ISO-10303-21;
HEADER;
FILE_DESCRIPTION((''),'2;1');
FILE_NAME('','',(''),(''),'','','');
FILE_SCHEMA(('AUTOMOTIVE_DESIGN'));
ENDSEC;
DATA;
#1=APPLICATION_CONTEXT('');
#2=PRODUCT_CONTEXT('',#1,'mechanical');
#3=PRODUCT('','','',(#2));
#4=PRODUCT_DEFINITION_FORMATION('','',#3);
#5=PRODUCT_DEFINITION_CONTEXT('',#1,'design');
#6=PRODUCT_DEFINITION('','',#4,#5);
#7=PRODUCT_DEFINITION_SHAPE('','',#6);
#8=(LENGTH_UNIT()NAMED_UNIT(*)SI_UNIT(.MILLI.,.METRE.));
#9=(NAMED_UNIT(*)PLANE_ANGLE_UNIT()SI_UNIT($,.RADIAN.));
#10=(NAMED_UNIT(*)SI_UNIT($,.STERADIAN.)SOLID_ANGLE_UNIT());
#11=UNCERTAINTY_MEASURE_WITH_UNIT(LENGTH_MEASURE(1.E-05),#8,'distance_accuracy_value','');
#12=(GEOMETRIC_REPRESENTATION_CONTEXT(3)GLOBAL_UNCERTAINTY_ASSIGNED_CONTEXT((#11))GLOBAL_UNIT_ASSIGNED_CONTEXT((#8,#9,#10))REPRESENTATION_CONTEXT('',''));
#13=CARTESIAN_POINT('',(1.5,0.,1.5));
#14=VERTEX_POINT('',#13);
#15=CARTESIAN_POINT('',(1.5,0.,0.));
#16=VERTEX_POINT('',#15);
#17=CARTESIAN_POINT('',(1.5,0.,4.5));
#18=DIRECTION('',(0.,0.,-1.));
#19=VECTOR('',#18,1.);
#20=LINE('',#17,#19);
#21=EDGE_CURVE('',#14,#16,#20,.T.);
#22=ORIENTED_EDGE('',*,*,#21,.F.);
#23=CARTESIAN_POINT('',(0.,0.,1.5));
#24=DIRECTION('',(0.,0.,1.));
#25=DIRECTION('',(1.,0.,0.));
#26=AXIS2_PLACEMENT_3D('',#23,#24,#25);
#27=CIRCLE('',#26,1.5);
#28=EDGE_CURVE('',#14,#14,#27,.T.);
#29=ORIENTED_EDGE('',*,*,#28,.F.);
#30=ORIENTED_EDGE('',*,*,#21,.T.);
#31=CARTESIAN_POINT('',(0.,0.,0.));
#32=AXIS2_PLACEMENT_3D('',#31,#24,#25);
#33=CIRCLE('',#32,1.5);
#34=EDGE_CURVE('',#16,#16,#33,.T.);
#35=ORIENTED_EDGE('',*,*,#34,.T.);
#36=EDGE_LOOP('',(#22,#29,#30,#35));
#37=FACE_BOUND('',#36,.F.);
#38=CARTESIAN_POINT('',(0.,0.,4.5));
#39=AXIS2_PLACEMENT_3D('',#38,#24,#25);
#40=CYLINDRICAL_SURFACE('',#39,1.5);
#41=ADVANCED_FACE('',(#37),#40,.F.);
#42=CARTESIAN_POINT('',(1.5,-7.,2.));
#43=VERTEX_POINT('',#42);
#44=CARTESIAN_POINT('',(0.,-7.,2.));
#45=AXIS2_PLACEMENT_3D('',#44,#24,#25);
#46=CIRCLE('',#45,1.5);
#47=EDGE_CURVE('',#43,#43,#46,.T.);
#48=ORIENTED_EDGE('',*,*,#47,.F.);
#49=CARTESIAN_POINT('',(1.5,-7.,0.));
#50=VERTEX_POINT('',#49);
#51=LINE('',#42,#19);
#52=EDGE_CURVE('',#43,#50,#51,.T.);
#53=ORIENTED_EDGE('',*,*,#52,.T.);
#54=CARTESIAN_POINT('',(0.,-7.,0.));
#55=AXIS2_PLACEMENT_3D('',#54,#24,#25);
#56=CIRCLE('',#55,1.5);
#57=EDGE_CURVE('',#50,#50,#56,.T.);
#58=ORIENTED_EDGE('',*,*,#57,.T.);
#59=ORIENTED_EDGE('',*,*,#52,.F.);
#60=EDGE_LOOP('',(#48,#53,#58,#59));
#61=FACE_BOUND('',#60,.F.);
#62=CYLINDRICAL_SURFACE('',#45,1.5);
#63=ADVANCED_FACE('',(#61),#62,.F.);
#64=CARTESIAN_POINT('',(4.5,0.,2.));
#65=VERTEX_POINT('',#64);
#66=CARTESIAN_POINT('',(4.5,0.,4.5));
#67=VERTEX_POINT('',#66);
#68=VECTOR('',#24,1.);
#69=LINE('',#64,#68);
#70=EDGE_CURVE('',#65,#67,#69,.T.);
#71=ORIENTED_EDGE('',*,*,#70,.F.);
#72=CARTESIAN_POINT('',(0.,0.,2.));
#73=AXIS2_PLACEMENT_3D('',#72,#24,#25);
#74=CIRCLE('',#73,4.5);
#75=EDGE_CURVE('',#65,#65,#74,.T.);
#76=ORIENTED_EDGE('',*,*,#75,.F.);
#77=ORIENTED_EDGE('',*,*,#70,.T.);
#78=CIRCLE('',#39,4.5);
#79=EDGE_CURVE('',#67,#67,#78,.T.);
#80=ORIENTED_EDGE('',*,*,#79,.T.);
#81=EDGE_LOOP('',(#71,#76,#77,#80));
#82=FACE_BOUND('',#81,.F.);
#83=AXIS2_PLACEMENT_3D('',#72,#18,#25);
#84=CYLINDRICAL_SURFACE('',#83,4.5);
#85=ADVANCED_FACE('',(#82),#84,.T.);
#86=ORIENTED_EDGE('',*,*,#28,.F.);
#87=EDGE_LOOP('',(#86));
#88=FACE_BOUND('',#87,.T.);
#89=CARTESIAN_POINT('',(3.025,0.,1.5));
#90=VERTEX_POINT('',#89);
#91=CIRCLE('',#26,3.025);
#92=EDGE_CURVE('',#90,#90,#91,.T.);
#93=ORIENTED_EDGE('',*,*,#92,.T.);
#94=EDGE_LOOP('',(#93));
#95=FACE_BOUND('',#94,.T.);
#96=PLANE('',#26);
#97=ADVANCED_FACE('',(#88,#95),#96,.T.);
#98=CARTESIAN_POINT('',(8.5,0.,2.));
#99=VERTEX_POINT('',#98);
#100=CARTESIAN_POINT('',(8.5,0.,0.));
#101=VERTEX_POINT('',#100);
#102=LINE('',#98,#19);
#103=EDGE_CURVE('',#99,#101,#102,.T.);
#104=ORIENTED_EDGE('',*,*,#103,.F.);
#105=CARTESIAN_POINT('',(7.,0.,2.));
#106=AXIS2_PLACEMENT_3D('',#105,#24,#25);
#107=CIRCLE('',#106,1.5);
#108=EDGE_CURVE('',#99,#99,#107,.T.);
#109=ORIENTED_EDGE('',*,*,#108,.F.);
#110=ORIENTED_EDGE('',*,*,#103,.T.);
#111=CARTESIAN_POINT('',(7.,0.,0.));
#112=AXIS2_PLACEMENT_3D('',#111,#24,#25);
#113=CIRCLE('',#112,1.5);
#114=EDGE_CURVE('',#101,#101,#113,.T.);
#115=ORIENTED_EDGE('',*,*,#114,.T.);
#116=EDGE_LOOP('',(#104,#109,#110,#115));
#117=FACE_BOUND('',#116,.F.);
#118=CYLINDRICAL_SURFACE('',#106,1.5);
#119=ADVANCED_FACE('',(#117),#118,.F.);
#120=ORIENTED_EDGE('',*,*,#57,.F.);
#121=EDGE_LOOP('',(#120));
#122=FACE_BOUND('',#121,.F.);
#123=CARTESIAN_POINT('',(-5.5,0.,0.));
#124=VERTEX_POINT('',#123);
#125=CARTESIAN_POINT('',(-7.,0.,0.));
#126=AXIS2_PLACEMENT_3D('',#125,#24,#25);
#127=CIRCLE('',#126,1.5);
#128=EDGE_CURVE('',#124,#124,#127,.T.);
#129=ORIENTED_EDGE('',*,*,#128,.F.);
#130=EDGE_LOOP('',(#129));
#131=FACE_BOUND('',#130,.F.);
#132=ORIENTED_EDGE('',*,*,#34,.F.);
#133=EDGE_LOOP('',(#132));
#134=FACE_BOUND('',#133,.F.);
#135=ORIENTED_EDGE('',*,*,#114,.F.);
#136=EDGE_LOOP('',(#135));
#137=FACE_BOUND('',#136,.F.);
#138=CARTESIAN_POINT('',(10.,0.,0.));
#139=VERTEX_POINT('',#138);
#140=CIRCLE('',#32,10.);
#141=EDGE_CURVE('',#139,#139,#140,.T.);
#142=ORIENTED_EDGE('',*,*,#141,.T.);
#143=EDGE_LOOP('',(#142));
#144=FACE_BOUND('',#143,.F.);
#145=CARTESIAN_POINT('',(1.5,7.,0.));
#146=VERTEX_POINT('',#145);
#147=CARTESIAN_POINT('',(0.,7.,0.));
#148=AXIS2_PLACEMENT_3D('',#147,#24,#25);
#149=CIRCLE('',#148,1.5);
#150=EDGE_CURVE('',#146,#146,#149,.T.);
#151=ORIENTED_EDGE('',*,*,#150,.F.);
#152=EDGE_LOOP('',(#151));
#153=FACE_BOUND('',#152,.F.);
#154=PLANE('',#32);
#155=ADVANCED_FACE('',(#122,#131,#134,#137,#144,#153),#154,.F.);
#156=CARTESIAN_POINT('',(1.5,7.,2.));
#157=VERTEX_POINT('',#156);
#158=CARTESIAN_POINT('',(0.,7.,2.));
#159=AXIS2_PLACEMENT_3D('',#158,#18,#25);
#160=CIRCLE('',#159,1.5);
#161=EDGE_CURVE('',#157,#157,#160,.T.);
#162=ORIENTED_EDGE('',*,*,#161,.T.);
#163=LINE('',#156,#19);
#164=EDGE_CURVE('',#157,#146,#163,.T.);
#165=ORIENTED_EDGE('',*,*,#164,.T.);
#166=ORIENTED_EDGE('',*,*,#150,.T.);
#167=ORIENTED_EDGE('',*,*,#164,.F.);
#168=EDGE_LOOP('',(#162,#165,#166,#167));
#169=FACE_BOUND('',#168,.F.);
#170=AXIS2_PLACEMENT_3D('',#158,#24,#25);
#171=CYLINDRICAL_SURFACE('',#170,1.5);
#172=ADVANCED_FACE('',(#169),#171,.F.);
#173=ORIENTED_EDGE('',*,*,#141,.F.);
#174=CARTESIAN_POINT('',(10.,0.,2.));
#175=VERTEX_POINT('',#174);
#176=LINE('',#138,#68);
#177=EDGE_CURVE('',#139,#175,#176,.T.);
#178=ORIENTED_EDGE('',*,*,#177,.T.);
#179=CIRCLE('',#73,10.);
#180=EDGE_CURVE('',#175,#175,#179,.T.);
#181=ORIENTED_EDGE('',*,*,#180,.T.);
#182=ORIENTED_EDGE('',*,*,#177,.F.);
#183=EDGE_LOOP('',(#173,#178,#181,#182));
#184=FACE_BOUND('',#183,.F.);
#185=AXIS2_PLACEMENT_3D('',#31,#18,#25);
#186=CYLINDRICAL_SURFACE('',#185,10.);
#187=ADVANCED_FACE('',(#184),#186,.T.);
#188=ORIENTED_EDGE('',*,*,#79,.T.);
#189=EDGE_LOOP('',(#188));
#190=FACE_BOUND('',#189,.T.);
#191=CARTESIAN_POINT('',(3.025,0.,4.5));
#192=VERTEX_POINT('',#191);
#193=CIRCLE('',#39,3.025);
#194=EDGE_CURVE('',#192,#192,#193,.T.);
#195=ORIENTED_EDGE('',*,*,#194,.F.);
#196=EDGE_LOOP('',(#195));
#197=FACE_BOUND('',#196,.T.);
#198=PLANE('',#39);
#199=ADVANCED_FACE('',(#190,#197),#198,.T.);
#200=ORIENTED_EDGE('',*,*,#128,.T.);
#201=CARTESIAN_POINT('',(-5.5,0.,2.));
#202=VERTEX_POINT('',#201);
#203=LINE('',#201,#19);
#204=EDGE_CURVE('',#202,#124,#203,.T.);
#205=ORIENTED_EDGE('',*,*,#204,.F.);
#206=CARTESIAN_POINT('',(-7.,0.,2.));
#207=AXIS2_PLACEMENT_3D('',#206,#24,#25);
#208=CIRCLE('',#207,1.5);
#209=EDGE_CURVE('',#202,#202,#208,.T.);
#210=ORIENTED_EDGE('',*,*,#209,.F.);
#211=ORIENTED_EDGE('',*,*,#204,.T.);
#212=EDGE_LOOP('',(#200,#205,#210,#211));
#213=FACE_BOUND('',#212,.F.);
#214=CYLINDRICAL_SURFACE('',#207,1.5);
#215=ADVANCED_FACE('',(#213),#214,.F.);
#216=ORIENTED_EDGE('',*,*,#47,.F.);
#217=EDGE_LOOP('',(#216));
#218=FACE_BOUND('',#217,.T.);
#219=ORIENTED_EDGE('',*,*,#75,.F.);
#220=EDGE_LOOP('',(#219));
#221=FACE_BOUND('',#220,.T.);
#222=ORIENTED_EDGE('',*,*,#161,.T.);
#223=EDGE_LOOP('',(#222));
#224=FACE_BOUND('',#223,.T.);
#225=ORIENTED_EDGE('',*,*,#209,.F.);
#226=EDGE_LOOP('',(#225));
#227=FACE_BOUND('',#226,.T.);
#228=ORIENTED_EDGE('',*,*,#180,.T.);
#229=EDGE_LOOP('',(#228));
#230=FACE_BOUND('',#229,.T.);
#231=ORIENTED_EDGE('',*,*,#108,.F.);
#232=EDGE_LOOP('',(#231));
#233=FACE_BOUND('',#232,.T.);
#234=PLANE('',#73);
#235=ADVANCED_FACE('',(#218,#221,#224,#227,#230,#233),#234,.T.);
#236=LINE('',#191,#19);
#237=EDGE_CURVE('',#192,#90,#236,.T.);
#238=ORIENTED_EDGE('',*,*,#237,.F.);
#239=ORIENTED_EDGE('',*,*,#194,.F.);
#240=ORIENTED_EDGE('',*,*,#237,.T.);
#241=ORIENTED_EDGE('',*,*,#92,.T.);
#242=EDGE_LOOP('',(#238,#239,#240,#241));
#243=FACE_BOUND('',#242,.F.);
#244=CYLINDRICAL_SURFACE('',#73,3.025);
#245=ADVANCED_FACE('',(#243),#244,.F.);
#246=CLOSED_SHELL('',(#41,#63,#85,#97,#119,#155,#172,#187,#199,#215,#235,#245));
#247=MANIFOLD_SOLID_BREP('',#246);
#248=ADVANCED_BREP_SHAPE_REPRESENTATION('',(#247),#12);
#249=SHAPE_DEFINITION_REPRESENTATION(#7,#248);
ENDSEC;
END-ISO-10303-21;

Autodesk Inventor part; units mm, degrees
ref_plane "YZ Plane" through (0, 0, 0) normal (1, 0, 0) x (0, 1, 0)
ref_plane "XZ Plane" through (0, 0, 0) normal (0, 1, 0) x (-1, 0, 0)
ref_plane "XY Plane" through (0, 0, 0) normal (0, 0, 1) x (1, 0, 0)
sketch "Sketch1" plane through (0, 0, 0) normal (0, 0, 1) x (1, 0, 0)
  circle A0 centre (0, 0) radius 10
  dimension "d0" = 20
extrude "Extrusion1" add sketch "Sketch1" along normal blind 2
sketch "Sketch2" plane through (0, 0, 2) normal (0, 0, 1) x (1, 0, 0)
  circle A0 centre (0, 0) radius 4.5
  dimension "d3" = 9
extrude "Extrusion2" add sketch "Sketch2" along normal blind 2.5
sketch "Sketch3" plane through (0, 0, 4.5) normal (0, 0, 1) x (1, 0, 0)
  circle A0 centre (0, 0) radius 1.5
  dimension "d6" = 3
extrude "Extrusion3" cut sketch "Sketch3" against normal through all
sketch "Sketch4" plane through (0, 0, 4.5) normal (0, 0, 1) x (1, 0, 0)
  circle A0 centre (0, 0) radius 3.025
  dimension "d9" = 6.05
extrude "Extrusion4" cut sketch "Sketch4" against normal blind 2.5
sketch "Sketch5" plane through (0, 0, 2) normal (0, 0, 1) x (1, 0, 0)
  line L0 (0, 0) -> (0, 7)
  circle A0 centre (0, 7) radius 1.5
  circle A1 centre (-7, 0) radius 1.5
  circle A2 centre (0, -7) radius 1.5
  circle A3 centre (7, 0) radius 1.5
  dimension "d12" = 7
  dimension "d13" = 3
  dimension "d16" = 360
extrude "Extrusion5" cut sketch "Sketch5" against normal through all
thread "Thread1" size "M3x0.5" class "6H" standard "ANSI Metric M Profile" full length
thread "Thread2" size "M3x0.5" class "6H" standard "ANSI Metric M Profile" full length
thread "Thread3" size "M3x0.5" class "6H" standard "ANSI Metric M Profile" full length
thread "Thread4" size "M3x0.5" class "6H" standard "ANSI Metric M Profile" full length
sketch "Sketch6" plane through (0, 0, 2) normal (0, 0, 1) x (1, 0, 0)
  circle A0 centre (0, 0) radius 3.025
extrude "Extrusion6" cut sketch "Sketch6" against normal blind 0.5
properties part number "servo_FT_SC_horn_1"
